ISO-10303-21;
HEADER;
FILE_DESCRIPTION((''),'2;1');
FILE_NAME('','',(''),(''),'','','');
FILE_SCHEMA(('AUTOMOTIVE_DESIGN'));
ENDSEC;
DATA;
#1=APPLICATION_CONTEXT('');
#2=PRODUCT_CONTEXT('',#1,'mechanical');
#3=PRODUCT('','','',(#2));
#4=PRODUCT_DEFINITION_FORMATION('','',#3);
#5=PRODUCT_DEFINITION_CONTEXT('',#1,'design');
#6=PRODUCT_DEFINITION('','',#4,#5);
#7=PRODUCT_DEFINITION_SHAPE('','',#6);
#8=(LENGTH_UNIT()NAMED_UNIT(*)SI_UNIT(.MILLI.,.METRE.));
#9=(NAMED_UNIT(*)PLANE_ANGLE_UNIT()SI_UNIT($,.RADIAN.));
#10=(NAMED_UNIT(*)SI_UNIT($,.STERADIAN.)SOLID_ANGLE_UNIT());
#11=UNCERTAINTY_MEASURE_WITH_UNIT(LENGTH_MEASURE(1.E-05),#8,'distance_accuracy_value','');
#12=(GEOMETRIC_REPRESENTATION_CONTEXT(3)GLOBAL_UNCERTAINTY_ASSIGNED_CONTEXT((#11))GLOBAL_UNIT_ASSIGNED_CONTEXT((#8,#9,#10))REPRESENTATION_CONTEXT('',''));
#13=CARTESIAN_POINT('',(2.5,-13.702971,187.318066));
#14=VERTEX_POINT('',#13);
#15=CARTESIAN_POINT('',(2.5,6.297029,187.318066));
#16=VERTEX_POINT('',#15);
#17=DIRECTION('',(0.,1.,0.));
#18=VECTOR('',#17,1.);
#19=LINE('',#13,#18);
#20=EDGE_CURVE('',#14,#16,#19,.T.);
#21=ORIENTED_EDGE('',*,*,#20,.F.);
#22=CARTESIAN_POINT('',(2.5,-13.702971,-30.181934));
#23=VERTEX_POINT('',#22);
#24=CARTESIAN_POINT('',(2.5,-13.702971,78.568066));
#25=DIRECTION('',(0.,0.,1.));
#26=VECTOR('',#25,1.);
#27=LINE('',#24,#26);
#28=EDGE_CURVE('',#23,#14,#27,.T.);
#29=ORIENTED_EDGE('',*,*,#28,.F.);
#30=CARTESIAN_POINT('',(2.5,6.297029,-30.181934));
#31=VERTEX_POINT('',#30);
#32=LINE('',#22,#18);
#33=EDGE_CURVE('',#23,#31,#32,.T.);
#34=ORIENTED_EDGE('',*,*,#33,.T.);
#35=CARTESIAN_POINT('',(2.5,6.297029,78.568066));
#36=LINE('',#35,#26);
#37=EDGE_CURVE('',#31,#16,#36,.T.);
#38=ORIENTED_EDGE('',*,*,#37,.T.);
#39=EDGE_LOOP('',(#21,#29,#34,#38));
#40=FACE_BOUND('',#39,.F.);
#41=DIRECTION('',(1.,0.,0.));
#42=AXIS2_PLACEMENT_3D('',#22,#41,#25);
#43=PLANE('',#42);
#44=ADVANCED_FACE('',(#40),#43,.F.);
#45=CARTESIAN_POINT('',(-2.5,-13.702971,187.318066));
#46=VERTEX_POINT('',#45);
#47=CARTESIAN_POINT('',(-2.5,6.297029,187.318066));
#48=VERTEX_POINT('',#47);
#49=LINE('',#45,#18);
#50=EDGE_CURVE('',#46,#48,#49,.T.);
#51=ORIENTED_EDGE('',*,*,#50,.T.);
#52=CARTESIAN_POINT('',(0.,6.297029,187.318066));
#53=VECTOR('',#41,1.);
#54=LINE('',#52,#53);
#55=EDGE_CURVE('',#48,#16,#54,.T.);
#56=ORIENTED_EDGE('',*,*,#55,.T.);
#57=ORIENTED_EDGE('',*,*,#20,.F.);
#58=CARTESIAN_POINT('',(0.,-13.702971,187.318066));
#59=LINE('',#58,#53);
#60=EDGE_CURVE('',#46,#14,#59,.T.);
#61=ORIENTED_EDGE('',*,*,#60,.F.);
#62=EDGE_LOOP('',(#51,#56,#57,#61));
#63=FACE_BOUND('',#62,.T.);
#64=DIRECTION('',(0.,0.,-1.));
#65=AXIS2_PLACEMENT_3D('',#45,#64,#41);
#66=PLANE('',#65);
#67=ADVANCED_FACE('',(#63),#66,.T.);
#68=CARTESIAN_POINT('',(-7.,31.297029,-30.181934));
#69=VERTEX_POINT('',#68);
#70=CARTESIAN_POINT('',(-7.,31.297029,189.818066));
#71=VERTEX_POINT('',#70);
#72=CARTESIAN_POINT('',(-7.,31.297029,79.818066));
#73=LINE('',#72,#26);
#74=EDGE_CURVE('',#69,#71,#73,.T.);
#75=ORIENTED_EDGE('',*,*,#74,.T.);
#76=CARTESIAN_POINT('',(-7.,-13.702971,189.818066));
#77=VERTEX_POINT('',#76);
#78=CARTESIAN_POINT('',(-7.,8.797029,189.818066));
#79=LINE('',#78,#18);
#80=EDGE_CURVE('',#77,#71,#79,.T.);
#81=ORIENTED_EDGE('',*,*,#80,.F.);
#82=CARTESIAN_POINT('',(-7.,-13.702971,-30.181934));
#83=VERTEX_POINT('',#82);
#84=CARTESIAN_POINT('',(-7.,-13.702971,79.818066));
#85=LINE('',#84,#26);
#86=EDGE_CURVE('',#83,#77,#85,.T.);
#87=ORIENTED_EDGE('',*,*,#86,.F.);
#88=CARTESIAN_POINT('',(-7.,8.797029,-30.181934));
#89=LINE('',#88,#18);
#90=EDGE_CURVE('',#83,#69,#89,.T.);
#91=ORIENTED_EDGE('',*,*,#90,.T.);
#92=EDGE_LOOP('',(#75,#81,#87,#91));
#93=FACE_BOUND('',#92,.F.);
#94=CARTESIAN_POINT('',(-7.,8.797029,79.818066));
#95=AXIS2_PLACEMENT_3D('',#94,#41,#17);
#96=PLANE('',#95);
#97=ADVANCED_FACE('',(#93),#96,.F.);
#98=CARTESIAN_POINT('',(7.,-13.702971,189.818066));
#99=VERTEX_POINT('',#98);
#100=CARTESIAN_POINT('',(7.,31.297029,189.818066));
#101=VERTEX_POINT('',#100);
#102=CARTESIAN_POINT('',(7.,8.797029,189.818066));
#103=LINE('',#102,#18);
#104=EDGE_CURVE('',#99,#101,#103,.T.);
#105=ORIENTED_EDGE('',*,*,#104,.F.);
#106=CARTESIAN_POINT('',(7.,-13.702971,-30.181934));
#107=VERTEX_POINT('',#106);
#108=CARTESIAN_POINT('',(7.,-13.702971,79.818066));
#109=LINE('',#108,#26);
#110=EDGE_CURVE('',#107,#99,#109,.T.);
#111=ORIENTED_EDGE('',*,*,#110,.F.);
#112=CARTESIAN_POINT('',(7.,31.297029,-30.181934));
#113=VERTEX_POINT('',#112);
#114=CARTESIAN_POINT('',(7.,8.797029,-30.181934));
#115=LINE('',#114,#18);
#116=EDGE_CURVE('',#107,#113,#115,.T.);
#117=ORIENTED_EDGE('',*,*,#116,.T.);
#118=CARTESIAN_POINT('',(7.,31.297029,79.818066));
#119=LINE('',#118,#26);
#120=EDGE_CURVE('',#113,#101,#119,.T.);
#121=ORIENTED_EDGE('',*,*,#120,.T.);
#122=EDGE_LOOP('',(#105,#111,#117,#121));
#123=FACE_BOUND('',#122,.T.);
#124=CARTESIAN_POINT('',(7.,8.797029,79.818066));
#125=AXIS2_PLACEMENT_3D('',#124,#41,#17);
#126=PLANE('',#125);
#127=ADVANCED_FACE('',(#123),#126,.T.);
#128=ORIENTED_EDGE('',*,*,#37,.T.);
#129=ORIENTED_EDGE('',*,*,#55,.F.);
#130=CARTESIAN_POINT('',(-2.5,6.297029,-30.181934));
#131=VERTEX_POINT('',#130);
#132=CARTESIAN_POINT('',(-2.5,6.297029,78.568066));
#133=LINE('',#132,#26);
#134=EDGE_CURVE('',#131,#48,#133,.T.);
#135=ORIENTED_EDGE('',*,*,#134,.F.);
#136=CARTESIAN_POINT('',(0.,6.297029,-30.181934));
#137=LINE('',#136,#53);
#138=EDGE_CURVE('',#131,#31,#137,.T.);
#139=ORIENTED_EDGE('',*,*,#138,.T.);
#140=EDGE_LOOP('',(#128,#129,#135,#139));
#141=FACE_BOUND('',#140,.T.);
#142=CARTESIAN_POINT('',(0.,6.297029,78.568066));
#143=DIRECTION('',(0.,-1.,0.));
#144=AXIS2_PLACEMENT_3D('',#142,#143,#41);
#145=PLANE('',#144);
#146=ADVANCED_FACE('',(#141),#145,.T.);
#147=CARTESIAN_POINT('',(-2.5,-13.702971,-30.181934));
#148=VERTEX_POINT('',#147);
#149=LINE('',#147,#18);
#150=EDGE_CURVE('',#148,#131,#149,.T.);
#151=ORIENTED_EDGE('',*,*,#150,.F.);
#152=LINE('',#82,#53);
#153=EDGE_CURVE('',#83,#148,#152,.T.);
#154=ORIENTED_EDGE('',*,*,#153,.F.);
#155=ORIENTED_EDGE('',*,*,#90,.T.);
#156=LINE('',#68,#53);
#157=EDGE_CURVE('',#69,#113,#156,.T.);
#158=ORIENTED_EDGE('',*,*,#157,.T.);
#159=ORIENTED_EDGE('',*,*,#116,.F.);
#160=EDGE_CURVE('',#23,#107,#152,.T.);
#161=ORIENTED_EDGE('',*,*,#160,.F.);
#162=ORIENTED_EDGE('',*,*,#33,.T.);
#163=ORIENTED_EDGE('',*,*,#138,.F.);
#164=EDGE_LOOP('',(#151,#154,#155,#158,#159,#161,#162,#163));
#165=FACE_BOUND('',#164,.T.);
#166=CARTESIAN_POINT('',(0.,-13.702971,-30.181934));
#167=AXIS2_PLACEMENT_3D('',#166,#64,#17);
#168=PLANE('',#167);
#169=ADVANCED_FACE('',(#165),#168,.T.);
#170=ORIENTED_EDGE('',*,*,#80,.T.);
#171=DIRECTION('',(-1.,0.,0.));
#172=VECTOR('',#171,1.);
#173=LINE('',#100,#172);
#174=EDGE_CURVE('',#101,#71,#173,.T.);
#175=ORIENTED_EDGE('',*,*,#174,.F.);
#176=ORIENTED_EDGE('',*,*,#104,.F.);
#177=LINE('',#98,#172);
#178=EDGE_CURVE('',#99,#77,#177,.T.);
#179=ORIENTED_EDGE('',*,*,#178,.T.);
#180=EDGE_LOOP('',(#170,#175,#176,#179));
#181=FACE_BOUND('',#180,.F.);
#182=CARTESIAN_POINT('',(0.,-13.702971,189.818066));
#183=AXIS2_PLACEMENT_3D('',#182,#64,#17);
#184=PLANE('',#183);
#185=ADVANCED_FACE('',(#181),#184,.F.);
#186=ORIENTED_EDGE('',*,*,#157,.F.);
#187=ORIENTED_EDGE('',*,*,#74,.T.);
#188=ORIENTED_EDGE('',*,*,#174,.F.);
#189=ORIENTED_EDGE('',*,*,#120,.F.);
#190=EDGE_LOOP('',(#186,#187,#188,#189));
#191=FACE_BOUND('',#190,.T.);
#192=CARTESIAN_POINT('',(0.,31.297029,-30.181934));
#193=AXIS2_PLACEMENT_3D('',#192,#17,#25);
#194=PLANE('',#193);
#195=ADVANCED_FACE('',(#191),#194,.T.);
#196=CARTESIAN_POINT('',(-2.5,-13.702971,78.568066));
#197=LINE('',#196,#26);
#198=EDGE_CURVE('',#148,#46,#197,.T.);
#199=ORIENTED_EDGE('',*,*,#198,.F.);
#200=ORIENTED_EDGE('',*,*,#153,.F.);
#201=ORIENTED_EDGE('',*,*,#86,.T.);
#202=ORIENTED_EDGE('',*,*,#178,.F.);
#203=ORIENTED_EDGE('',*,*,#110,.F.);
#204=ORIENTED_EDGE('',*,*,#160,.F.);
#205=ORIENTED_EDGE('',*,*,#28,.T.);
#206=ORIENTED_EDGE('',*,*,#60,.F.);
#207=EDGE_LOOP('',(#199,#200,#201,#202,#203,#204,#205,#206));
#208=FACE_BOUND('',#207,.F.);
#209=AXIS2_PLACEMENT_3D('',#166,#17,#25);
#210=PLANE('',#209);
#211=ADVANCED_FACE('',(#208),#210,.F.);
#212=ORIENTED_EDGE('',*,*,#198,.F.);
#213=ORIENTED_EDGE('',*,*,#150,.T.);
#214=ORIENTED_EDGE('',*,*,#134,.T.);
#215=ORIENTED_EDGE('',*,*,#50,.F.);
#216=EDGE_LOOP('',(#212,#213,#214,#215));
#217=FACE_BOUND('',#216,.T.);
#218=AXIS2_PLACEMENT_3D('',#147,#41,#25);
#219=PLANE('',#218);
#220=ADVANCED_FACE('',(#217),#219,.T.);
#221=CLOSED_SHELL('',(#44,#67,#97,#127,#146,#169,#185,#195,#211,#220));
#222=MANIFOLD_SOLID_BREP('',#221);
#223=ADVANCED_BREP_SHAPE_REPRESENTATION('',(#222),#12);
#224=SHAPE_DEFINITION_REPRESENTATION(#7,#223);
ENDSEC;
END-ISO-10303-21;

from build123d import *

# Parameters (mm, degrees)
F0_W          = 45
F0_H          = 220
F1_DEPTH      = 7
F1_DEPTH_BACK = 7
F2_W          = 5
F2_H          = 217.5
F3_DEPTH      = 20


with BuildPart() as f1:
    # F0 (on Right) → F1 (new body, two sides)
    with BuildSketch(Plane.YZ) as f1_sk:
        with Locations((8.797029, 79.818066)):
            Rectangle(F0_W, F0_H)
    extrude(amount=F1_DEPTH)
    extrude(f1_sk.sketch, amount=-F1_DEPTH_BACK)

    # F2 (on face) → F3 (cut)
    with BuildSketch(Plane.XZ.offset(13.702971)):
        with Locations((0, 78.568066)):
            Rectangle(F2_W, F2_H)
    extrude(amount=-F3_DEPTH, mode=Mode.SUBTRACT)


solid = f1.part
